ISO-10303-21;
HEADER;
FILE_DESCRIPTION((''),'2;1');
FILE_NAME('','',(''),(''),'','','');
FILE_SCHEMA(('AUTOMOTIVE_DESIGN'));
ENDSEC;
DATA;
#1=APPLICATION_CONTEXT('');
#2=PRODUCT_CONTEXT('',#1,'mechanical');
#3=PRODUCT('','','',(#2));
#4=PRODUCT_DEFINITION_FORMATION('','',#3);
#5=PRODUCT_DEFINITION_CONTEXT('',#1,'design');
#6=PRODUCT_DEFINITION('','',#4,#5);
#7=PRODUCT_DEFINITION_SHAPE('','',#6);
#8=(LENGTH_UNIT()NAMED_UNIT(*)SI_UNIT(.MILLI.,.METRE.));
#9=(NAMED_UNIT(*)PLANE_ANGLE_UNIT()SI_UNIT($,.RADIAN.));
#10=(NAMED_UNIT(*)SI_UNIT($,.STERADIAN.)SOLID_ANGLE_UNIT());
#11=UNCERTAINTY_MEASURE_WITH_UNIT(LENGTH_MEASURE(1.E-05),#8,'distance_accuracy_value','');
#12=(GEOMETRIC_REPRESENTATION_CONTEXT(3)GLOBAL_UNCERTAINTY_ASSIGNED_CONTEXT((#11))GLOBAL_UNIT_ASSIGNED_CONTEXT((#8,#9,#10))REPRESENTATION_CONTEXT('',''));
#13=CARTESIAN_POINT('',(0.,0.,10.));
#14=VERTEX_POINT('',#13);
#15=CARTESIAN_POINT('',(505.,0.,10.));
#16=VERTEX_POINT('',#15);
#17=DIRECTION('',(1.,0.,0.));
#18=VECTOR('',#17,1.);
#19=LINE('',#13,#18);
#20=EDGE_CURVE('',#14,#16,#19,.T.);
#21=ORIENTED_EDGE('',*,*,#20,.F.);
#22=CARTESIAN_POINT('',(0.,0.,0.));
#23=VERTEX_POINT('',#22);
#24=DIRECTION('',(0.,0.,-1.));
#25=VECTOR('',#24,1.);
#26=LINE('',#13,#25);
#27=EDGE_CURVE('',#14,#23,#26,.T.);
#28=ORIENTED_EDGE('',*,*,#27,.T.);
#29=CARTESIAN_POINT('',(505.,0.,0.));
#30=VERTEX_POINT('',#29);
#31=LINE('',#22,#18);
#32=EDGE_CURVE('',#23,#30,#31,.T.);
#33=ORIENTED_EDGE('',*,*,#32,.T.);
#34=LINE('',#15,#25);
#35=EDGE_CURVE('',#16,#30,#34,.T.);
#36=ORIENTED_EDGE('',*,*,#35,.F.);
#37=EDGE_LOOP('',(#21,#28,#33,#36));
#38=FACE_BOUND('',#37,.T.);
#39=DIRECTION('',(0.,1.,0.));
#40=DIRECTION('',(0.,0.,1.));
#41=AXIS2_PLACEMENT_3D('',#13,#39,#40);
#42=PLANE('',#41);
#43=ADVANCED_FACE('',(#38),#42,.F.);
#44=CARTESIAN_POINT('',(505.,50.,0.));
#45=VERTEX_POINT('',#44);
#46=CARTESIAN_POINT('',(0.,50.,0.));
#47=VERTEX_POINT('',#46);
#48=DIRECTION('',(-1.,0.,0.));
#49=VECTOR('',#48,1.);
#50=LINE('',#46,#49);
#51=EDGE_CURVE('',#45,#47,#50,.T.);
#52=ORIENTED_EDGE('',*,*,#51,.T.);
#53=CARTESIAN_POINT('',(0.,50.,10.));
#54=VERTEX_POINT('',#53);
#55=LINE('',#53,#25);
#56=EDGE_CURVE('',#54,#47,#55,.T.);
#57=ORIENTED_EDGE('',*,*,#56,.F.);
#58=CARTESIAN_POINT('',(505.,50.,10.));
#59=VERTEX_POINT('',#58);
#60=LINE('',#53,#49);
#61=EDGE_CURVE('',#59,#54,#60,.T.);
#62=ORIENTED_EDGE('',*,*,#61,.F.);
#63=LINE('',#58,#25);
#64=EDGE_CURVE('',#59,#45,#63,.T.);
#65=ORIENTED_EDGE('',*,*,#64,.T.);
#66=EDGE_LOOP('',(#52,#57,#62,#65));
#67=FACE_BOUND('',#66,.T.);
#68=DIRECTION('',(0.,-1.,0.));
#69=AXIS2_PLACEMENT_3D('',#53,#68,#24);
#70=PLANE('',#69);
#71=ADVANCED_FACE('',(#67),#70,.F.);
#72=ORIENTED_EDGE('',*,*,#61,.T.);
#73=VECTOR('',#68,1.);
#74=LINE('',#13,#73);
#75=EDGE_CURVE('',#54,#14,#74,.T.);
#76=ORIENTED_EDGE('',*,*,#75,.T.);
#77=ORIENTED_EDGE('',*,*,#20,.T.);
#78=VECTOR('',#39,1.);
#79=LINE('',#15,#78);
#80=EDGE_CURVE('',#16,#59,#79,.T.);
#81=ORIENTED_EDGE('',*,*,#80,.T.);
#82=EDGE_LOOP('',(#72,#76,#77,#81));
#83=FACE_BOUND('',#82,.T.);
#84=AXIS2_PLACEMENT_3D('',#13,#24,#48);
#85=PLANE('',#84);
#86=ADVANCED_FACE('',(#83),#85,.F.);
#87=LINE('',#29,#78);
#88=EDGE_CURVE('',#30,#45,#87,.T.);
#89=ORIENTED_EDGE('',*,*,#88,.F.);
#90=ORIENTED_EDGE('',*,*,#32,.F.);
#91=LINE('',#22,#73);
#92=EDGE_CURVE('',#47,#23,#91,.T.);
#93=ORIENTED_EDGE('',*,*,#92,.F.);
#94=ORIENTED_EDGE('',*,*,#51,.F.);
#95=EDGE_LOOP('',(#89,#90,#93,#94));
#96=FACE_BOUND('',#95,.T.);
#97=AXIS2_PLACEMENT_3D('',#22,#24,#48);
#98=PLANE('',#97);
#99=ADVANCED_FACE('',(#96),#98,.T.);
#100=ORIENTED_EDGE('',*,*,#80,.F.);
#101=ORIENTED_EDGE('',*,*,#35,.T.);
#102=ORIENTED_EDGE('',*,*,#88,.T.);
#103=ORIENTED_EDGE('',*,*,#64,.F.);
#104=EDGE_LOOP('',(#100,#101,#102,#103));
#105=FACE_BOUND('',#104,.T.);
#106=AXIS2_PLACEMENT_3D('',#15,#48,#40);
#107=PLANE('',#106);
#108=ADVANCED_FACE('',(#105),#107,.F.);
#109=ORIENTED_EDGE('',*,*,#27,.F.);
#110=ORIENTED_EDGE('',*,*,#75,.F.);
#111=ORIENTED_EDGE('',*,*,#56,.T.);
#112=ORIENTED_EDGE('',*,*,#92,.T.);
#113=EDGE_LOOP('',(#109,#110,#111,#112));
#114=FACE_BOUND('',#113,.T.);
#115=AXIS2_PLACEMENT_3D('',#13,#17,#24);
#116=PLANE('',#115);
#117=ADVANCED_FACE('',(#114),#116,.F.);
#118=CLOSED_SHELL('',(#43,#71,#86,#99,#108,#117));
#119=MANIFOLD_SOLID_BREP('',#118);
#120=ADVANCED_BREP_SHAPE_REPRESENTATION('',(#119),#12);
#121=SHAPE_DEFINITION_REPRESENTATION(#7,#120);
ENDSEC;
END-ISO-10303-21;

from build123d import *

# Parameters (mm, degrees)
SKETCH_1_W      = 505
SKETCH_1_H      = 50
EXTRUDE_1_DEPTH = 10


with BuildPart() as part:
    # Эскиз1 → Бобышка-Вытянуть1 (new body)
    with BuildSketch(Plane.XY):
        with Locations((252.5, 25)):
            Rectangle(SKETCH_1_W, SKETCH_1_H)
    extrude(amount=EXTRUDE_1_DEPTH)


solid = part.part
